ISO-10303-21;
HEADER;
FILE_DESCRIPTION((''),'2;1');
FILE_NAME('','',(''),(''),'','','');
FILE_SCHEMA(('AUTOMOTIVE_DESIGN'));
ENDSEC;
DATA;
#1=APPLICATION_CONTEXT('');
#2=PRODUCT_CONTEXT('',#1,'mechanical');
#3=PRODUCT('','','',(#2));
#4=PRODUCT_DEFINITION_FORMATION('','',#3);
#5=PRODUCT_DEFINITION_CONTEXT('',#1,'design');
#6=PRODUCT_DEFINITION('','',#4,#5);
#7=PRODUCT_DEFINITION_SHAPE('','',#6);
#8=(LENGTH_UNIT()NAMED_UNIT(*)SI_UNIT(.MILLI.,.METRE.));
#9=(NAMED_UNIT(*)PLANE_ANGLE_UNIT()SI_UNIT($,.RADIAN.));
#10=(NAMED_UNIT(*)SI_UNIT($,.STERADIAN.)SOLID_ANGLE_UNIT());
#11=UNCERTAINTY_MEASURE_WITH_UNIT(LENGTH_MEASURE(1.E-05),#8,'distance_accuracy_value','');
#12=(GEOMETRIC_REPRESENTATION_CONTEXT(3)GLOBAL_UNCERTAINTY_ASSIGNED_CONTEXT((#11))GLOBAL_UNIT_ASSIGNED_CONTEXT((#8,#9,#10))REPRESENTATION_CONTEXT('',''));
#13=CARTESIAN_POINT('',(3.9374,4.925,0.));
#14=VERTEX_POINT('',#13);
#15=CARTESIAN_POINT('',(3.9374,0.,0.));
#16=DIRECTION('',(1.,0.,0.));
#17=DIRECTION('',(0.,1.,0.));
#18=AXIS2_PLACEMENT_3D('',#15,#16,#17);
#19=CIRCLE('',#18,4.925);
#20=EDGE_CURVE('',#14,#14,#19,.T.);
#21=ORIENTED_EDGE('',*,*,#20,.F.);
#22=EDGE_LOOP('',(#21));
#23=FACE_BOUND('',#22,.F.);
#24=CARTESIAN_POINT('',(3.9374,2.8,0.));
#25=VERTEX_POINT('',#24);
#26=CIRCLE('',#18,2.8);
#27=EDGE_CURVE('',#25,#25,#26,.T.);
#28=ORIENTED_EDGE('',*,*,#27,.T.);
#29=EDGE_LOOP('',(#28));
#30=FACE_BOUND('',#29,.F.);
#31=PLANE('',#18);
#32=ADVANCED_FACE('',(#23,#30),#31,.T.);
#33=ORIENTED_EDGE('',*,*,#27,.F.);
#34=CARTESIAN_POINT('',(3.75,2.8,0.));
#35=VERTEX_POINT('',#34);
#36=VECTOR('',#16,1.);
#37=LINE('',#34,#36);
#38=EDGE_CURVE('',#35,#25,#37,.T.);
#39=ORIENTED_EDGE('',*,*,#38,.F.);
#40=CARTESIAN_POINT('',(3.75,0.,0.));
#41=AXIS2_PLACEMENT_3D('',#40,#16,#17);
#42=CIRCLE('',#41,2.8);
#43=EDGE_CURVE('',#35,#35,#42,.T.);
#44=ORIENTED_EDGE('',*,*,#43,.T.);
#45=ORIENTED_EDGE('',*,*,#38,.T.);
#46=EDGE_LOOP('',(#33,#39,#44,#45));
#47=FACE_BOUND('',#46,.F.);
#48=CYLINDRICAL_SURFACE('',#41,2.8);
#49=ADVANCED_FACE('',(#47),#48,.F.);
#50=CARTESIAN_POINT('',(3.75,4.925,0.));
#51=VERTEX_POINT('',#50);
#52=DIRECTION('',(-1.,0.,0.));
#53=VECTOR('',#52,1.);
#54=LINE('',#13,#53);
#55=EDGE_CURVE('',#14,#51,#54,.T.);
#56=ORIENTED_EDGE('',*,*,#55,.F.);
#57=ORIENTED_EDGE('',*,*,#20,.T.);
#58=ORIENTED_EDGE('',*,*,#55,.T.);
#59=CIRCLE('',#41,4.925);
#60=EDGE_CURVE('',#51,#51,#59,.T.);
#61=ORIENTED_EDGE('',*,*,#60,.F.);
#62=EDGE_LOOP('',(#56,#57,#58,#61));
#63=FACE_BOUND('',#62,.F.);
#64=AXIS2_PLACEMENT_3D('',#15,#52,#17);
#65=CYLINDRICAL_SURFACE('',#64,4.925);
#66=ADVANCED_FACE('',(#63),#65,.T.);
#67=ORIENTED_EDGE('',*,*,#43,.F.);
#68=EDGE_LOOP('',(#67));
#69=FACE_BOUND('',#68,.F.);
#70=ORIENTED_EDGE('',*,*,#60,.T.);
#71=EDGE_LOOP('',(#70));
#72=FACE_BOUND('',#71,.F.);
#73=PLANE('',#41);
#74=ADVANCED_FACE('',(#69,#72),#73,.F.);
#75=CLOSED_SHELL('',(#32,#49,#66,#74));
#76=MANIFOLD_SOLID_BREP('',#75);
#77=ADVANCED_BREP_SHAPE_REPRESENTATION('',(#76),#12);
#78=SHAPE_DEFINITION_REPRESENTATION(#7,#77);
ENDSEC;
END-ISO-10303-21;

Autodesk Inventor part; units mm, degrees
sketch "Sketch_1" plane through (0, 0, 0) normal (0, 0, 1) x (1, 0, 0)
  line L0 (3.9374, 0) -> (3.75, 0)
  line L1 (3.75, 2.8) -> (3.9374, 2.8)
  line L2 (3.9374, 2.8) -> (3.9374, 4.925)
  line L3 (3.9374, 4.925) -> (3.75, 4.925)
  line L4 (3.75, 4.925) -> (3.75, 2.8)
revolve "Revolution1" add sketch "Sketch_1" angle 360 about axis through (3.9374, 0, 0) along (1, 0, 0)
ref_plane "ip_st_1_XY" through (3.75, 0, 0) normal (1, 0, 0) x (0, 0, -1)
ref_plane "ip_st_1_YZ" through (3.75, 0, 0) normal (0, 0, -1) x (0, 1, 0)
ref_plane "ip_st_1_ZX" through (3.75, 0, 0) normal (0, 1, 0) x (1, 0, 0)
properties part number "F694ZZ Shield2" material "ステンレス鋼 440C"
